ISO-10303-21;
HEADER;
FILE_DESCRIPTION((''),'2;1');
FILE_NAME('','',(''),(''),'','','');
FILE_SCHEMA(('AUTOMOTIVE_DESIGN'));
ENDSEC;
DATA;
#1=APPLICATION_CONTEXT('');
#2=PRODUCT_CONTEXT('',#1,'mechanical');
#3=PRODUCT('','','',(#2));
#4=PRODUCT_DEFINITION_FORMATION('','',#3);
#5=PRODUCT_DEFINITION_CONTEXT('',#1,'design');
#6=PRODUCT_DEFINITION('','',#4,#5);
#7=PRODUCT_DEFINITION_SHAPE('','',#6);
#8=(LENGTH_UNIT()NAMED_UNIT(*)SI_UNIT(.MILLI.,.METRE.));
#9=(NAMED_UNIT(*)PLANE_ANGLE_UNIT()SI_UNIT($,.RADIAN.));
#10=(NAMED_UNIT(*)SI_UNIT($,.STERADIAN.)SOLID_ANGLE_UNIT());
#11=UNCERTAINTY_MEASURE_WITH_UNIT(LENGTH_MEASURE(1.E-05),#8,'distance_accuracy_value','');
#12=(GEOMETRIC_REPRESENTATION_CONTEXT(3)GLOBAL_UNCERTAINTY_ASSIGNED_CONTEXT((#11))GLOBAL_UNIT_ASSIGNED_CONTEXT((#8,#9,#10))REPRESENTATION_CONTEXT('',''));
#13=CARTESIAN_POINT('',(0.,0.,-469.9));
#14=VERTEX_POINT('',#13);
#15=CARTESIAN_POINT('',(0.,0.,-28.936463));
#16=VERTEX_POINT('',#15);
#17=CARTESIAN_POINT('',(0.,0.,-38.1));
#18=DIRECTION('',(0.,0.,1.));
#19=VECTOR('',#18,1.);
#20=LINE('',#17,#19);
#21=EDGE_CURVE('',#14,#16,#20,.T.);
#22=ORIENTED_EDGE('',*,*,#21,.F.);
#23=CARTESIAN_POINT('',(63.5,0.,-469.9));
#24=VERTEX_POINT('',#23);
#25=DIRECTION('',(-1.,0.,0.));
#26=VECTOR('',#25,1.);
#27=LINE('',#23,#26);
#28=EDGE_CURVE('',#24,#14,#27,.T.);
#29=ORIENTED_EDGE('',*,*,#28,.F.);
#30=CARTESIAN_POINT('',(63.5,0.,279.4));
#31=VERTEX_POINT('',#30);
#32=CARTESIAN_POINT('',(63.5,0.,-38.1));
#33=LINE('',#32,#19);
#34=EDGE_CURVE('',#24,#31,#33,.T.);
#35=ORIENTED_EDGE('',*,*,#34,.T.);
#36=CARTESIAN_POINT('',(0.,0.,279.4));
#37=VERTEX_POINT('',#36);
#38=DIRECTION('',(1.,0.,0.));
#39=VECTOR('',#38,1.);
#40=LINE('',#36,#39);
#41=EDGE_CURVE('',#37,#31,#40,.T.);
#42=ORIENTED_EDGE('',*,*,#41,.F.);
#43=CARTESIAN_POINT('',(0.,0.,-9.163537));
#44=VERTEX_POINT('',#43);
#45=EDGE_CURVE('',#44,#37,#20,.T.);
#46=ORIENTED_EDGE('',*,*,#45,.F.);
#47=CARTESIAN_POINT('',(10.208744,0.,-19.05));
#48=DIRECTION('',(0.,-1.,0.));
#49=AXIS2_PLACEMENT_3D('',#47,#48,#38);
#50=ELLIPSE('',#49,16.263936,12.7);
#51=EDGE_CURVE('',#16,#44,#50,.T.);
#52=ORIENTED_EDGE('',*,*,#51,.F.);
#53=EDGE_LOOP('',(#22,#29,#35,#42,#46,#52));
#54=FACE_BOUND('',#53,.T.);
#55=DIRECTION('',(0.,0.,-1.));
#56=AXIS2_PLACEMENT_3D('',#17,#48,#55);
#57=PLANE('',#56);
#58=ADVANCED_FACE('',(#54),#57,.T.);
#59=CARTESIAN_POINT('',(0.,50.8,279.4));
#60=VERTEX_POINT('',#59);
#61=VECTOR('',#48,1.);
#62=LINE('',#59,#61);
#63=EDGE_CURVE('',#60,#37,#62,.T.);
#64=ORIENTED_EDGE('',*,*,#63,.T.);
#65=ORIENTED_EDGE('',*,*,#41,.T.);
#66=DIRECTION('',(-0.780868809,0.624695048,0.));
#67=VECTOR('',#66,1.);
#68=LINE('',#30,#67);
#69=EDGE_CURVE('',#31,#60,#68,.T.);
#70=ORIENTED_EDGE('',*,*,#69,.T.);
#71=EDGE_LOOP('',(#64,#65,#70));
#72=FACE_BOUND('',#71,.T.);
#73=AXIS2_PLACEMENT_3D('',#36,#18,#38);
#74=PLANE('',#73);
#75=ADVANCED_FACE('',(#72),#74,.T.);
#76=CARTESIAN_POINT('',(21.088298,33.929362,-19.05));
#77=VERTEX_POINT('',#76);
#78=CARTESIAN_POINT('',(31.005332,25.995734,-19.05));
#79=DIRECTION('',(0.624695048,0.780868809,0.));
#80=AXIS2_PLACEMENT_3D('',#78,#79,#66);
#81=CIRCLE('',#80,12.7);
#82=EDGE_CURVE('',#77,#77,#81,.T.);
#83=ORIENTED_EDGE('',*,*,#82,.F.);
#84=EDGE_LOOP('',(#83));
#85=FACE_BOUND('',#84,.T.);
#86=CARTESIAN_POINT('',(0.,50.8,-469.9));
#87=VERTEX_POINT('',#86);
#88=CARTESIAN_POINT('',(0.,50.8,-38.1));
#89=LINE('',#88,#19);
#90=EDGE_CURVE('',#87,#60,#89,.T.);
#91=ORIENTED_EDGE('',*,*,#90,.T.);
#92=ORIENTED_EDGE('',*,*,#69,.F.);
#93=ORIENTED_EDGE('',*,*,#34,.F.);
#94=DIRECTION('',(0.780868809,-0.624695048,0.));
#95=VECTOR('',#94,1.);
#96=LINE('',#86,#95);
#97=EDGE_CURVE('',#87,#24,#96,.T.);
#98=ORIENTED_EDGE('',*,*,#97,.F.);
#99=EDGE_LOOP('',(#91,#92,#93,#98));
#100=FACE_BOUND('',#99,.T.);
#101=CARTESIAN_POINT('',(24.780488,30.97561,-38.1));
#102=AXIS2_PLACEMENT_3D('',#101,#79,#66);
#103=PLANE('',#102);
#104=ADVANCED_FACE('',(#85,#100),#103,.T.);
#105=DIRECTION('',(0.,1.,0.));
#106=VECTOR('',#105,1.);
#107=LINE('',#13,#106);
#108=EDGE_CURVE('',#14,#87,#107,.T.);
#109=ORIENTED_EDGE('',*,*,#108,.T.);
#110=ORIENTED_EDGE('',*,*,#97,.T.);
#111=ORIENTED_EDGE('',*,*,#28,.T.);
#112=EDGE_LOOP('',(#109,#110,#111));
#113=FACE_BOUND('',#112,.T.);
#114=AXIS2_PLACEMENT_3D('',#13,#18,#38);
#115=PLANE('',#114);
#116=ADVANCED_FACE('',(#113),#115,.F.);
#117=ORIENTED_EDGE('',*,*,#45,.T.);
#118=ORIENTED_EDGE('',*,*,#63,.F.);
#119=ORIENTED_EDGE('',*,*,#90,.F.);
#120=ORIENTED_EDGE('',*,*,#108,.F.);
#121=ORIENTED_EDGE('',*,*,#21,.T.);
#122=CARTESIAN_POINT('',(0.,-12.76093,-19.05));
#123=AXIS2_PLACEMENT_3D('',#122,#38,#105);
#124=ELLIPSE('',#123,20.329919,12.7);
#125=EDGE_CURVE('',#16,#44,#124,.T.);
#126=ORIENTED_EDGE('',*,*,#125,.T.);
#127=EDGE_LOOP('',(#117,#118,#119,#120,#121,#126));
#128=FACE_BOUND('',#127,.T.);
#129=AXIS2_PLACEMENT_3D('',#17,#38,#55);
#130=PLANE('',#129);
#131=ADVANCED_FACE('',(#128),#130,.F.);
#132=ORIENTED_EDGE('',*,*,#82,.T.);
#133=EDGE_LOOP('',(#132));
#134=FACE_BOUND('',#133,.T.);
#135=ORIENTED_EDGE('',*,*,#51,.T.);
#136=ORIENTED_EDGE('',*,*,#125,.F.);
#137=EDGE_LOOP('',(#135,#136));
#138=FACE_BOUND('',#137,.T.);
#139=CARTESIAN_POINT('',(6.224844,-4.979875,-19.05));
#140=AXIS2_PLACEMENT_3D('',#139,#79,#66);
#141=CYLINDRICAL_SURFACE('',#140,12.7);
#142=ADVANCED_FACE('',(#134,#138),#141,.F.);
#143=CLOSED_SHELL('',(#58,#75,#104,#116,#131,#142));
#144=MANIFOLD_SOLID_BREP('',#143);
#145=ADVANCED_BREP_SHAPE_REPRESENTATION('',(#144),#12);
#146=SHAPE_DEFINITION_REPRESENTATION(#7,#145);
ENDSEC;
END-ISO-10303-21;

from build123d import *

# Parameters (mm, degrees)
BOSS_EXTRUDE1_DEPTH = 38.1
SKETCH2_R           = 12.7
CUT_EXTRUDE1_DEPTH  = 63.532383805
BOSS_EXTRUDE2_DEPTH = 279.4
BOSS_EXTRUDE3_DEPTH = 431.8


with BuildPart() as part:
    # Sketch1 → Boss-Extrude1 (new body)
    with BuildSketch(Plane.XY):
        Polygon((0, 0), (0, 50.8), (63.5, 0), align=None)
    extrude(amount=-BOSS_EXTRUDE1_DEPTH)

    # Sketch2 → Cut-Extrude1 (cut, through all)
    with BuildSketch(Plane(origin=(24.780487805, 30.975609756, 0), x_dir=(0.7808688094430303, -0.6246950475544244, 0), z_dir=(0.6246950475544244, 0.7808688094430304, 0))):
        with Locations(Location((7.971690031, 19.05, 0), (0, 0, 180))):
            Circle(SKETCH2_R)
    extrude(amount=-CUT_EXTRUDE1_DEPTH, mode=Mode.SUBTRACT)

    # Sketch3 → Boss-Extrude2 (add)
    with BuildSketch(Plane.XY):
        Polygon((0, 50.8), (0, 0), (63.5, 0), align=None)
    extrude(amount=BOSS_EXTRUDE2_DEPTH)

    # Sketch4 → Boss-Extrude3 (add)
    with BuildSketch(Plane(origin=(0, 0, -38.1), x_dir=(-1, 0, 0), z_dir=(0, 0, -1))):
        Polygon((0, 50.8), (-63.5, 0), (0, 0), align=None)
    extrude(amount=BOSS_EXTRUDE3_DEPTH)


solid = part.part
